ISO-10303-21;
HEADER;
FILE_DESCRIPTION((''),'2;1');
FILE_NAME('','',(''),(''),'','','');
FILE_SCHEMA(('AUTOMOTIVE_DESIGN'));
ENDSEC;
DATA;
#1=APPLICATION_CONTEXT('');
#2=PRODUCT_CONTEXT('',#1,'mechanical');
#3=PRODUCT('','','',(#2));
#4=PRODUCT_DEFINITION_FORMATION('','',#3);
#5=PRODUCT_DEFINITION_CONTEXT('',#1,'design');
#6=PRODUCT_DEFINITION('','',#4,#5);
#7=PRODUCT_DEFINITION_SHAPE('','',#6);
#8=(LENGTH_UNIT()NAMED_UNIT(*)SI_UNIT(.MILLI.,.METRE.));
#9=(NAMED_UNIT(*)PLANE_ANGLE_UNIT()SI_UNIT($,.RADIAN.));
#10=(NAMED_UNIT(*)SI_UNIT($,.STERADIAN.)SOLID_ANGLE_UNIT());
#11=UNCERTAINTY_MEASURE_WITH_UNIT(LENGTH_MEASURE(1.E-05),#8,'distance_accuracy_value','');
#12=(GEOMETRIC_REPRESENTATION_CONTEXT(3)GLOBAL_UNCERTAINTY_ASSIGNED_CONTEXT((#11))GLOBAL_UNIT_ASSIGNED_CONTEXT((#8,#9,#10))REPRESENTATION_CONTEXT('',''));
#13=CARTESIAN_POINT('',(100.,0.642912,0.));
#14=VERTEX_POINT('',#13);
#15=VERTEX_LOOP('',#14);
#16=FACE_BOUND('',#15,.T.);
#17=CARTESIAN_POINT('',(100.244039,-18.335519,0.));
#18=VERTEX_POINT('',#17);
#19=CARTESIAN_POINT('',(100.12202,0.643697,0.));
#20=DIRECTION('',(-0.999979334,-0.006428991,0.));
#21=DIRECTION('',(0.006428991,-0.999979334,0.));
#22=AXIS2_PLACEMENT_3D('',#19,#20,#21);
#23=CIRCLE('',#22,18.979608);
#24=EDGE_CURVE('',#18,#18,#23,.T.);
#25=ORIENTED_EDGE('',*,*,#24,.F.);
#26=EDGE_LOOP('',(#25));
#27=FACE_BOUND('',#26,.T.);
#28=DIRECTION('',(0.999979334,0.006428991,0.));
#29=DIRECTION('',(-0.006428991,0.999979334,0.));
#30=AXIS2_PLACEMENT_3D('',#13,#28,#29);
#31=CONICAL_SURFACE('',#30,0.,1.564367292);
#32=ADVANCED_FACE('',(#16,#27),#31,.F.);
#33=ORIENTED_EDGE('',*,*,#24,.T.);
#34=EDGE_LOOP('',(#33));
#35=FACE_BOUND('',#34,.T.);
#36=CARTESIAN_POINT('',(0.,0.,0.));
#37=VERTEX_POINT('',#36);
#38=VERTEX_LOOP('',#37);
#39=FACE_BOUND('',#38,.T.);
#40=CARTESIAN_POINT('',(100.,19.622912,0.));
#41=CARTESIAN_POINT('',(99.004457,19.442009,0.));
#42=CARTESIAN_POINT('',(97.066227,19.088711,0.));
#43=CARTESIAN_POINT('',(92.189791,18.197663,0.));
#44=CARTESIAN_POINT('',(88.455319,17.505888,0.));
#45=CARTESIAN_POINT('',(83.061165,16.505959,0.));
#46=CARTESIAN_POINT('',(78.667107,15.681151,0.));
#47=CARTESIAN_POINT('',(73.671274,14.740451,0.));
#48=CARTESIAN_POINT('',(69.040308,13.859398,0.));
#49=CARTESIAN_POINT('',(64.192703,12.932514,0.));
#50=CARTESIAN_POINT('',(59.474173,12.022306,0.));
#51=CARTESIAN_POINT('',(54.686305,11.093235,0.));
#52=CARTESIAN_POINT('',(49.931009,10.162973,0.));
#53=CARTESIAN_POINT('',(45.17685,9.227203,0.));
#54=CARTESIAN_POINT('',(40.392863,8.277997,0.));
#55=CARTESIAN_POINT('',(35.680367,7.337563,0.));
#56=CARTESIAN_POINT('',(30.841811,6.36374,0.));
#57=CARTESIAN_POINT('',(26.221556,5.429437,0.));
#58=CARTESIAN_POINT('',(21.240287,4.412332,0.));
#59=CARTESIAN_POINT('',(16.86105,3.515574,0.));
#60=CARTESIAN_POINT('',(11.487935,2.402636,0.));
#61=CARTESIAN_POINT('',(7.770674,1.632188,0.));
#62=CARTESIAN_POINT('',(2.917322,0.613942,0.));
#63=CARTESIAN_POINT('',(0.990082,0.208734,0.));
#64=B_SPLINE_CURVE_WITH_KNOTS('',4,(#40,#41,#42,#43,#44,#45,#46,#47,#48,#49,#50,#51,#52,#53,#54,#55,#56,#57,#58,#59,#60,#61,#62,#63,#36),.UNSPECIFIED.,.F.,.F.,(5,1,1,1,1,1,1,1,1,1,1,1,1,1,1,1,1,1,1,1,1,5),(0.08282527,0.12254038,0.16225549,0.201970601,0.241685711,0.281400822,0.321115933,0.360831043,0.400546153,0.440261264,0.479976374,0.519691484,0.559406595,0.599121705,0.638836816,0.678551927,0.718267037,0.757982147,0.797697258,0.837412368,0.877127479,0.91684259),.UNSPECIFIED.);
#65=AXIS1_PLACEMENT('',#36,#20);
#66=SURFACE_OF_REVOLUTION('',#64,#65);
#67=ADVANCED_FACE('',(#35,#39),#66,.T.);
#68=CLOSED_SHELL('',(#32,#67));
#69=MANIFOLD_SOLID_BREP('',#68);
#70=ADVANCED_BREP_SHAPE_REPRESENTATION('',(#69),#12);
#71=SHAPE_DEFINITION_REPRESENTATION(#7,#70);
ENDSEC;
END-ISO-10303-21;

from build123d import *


with BuildPart() as part:
    # Sketch1 → Revolve1 (revolve)
    with BuildSketch(Plane.XY):
        with BuildLine():
            Line((0, 0), (100, 0.642912383))
            Line((100, 0.642912383), (100, 19.622912383))
            add(Edge.make_bspline(
                [(0, 0), (0.990082122, 0.208734408), (2.917321851, 0.613942147), (7.770673951, 1.632188347), (11.487935376, 2.402636163), (16.861049588, 3.51557411), (21.240287439, 4.412332425), (26.221556, 5.429436916), (30.841810928, 6.363739606), (35.680366537, 7.337563484), (40.392862632, 8.277996824), (45.176849704, 9.227203268), (49.931009033, 10.162972859), (54.686305455, 11.093235244), (59.474172905, 12.022306057), (64.192703457, 12.932513583), (69.040307639, 13.859398495), (73.67127422, 14.740451297), (78.667106579, 15.681150546), (83.061164962, 16.505958655), (88.455319076, 17.505888239), (92.189791111, 18.197662712), (97.066226563, 19.088710502), (99.004456614, 19.442009237), (100, 19.622912383)],
                knots=[0.08282527, 0.08282527, 0.08282527, 0.08282527, 0.08282527, 0.122540381, 0.162255492, 0.201970602, 0.241685713, 0.281400823, 0.321115933, 0.360831044, 0.400546155, 0.440261265, 0.479976376, 0.519691486, 0.559406596, 0.599121707, 0.638836817, 0.678551927, 0.718267038, 0.757982149, 0.797697259, 0.83741237, 0.87712748, 0.91684259, 0.91684259, 0.91684259, 0.91684259, 0.91684259], degree=4))
        make_face()
    revolve(axis=Axis((0, 0, 0), (0.9999793338240378, 0.006428990965440526, 0)))


solid = part.part
